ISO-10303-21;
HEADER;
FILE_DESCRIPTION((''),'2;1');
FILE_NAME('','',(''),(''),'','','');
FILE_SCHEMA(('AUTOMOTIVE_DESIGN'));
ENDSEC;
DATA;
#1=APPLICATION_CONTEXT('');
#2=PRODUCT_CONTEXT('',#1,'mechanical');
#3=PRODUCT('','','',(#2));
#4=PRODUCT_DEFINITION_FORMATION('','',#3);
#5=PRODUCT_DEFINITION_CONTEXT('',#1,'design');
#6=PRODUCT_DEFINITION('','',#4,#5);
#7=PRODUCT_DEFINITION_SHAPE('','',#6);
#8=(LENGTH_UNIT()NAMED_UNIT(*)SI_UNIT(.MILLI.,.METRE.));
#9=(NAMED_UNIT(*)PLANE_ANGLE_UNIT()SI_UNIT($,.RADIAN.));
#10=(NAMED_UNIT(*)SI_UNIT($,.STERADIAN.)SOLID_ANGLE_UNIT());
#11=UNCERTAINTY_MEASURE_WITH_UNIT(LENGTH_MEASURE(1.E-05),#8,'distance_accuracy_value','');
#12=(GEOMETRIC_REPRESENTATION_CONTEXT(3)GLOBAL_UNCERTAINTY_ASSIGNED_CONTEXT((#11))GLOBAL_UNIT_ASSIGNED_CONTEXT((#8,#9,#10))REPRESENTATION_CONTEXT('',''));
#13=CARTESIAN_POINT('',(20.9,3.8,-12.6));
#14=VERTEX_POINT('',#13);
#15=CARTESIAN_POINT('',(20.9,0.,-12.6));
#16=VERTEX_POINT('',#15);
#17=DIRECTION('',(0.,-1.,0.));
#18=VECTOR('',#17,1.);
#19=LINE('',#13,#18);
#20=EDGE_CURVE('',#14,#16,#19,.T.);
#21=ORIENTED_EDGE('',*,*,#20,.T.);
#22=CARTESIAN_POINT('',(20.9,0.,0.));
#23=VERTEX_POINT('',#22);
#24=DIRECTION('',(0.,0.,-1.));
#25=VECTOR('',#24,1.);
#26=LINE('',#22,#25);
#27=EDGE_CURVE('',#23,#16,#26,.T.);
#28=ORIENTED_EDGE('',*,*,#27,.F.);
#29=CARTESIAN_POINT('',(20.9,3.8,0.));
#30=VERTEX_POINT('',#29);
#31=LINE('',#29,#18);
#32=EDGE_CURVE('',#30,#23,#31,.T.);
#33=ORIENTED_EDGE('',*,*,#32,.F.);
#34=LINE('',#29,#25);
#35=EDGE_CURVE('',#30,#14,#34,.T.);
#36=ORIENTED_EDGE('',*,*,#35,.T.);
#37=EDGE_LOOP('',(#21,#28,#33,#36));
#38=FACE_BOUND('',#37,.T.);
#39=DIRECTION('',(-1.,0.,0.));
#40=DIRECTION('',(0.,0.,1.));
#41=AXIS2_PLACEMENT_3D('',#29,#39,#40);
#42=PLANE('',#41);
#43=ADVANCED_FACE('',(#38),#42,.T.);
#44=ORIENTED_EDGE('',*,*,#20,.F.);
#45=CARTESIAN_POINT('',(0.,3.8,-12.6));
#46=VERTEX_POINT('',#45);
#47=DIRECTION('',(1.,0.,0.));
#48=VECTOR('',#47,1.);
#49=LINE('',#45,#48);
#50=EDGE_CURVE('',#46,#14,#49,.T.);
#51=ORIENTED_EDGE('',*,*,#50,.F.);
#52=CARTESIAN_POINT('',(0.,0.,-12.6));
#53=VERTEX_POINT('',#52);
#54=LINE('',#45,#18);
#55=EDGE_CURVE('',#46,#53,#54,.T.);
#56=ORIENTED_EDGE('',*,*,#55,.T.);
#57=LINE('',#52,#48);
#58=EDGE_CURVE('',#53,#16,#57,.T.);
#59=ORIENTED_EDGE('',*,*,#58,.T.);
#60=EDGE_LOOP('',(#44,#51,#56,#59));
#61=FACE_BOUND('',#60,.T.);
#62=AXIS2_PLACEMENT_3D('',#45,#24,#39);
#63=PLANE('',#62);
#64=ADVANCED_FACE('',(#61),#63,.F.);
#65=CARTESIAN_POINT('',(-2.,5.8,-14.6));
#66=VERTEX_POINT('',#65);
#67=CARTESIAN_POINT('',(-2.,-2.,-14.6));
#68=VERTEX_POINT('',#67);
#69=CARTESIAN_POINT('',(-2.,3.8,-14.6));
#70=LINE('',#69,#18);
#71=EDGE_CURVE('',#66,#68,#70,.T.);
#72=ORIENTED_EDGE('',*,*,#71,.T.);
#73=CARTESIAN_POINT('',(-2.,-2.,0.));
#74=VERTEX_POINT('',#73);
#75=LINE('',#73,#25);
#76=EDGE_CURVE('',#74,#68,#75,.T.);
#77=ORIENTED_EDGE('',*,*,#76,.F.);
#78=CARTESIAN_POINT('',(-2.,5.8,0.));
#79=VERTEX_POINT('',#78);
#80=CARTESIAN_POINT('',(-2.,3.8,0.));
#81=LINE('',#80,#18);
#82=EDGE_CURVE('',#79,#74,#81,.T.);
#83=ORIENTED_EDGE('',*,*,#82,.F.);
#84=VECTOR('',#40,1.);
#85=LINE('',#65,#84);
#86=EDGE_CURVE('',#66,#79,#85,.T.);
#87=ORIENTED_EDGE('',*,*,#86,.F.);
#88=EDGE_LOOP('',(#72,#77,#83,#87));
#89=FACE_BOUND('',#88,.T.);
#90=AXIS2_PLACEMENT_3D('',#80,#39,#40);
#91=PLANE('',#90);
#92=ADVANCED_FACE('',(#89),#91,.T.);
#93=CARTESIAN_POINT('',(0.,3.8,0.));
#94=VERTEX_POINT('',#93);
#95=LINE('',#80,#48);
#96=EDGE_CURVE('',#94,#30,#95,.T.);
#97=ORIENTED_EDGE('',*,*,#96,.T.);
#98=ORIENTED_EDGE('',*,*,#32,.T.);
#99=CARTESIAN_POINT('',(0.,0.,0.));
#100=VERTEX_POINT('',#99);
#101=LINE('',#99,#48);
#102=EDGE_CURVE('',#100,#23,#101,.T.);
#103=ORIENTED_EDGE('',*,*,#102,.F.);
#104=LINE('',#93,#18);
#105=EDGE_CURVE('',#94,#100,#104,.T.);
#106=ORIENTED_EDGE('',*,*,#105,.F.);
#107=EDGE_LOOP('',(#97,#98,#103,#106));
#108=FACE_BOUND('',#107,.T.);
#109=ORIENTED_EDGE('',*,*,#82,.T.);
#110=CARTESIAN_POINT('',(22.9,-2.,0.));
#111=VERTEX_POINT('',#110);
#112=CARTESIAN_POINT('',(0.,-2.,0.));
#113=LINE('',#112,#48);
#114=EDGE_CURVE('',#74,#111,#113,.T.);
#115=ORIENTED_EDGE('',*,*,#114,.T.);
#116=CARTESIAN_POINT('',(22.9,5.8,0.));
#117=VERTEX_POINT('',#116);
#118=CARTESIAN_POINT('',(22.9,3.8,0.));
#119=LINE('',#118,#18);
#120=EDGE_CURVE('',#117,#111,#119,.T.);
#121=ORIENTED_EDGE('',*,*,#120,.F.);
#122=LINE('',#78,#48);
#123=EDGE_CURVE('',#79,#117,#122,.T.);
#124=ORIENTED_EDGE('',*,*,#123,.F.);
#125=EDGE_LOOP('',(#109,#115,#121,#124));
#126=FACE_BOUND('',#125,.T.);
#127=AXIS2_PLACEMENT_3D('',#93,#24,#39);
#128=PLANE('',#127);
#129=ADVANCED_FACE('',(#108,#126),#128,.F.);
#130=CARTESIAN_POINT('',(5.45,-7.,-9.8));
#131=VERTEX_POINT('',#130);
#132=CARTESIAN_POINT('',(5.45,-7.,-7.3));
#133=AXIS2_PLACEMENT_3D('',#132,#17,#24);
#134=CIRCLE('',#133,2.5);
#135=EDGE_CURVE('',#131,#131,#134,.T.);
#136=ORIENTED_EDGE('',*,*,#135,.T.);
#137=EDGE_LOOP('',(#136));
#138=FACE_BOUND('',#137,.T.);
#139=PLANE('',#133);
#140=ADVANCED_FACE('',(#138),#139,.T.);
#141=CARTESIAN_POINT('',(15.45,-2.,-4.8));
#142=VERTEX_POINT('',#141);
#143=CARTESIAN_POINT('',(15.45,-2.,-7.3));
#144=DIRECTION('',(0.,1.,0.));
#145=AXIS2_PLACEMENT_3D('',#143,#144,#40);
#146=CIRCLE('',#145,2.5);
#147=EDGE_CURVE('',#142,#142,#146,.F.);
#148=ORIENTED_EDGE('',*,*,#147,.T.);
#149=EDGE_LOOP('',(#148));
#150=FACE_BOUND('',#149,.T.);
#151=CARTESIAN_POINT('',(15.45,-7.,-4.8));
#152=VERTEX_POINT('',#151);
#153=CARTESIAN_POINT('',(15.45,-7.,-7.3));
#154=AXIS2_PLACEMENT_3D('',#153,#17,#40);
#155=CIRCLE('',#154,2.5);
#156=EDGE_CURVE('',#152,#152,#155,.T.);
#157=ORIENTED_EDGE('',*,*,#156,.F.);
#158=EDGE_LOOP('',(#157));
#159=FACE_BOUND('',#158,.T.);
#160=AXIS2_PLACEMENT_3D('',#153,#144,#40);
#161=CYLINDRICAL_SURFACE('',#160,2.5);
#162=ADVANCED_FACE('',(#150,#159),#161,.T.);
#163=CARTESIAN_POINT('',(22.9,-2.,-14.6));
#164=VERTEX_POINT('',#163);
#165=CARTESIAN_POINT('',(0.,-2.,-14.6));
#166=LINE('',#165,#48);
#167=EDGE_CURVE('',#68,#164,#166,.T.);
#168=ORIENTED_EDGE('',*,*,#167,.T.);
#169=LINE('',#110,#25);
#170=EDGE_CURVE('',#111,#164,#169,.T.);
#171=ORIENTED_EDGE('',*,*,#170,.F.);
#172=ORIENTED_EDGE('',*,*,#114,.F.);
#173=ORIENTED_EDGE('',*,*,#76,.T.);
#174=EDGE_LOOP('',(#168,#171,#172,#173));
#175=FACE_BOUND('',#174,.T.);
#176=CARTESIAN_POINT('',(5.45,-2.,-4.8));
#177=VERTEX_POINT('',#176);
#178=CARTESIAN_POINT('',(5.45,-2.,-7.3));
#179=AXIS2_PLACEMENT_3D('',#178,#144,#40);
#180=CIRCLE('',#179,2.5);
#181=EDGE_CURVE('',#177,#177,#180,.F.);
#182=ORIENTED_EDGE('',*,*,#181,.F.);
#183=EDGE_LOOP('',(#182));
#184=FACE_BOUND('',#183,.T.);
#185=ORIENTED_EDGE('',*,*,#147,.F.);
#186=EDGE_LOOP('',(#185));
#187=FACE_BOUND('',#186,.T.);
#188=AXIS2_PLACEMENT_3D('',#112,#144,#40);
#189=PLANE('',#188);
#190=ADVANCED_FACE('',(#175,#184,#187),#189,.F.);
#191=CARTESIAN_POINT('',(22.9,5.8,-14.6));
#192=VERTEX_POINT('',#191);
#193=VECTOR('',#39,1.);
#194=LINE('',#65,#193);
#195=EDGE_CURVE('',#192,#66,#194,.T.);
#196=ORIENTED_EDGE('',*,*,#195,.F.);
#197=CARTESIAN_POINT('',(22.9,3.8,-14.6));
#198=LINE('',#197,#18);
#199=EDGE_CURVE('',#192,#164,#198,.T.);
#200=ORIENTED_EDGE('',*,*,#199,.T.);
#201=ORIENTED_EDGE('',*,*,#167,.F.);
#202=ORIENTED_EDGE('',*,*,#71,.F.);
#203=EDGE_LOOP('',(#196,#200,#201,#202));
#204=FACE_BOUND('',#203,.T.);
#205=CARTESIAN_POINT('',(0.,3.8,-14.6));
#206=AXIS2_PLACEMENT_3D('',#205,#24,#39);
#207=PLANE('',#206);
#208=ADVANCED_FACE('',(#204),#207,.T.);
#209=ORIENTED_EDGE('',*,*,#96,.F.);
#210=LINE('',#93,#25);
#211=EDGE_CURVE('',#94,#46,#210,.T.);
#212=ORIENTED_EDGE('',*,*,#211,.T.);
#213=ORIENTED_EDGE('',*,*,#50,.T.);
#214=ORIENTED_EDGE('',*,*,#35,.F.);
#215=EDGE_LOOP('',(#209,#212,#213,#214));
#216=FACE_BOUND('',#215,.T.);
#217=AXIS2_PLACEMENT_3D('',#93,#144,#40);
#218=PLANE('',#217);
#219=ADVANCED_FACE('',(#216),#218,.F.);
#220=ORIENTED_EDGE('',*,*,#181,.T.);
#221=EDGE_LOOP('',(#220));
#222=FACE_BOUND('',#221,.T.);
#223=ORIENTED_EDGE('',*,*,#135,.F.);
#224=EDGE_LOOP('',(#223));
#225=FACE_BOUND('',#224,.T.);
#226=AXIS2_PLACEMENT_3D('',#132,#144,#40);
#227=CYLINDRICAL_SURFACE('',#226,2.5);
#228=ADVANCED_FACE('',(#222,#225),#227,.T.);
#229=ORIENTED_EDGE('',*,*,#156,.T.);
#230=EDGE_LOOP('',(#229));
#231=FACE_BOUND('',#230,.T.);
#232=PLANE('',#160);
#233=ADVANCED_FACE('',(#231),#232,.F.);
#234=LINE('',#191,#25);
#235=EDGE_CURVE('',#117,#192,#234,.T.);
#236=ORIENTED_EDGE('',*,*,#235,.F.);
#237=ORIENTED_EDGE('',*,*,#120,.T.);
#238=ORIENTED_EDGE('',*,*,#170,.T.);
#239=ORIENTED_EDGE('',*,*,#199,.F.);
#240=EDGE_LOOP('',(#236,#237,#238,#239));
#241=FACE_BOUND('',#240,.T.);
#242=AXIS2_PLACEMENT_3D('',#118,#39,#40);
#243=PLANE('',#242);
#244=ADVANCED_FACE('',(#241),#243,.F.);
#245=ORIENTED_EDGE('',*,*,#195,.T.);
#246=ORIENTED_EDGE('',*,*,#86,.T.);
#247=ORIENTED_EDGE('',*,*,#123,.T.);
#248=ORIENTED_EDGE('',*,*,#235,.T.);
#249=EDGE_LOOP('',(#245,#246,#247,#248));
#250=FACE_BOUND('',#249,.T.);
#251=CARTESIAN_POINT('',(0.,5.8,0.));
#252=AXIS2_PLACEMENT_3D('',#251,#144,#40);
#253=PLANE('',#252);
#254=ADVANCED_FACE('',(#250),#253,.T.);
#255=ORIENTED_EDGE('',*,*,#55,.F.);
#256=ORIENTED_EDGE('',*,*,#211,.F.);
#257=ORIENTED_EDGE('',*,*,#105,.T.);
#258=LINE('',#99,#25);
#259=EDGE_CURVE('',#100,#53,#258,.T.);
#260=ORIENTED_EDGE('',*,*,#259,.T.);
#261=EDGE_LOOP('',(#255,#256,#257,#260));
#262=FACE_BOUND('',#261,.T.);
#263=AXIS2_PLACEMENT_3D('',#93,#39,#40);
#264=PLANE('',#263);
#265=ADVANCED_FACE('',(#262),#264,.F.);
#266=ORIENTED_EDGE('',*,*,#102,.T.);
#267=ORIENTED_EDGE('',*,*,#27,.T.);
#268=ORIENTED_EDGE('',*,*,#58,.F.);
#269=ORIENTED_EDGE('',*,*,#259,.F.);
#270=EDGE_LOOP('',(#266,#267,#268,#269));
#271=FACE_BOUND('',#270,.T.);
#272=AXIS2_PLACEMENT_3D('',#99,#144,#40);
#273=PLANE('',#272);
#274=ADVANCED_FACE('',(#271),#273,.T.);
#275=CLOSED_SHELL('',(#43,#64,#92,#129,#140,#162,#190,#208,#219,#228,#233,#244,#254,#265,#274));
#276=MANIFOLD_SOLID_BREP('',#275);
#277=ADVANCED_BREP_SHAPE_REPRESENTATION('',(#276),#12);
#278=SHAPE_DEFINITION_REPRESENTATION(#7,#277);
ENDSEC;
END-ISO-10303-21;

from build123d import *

# Parameters (mm, degrees)
BOSS_EXTRUDE1_DEPTH = 3.8
SKETCH1_3_W         = 24.9
SKETCH1_3_H         = 14.6
BOSS_EXTRUDE2_DEPTH = 2
SKETCH3_R           = 2.5
BOSS_EXTRUDE4_DEPTH = 5
SKETCH4_W           = 24.9
SKETCH4_H           = 14.6
BOSS_EXTRUDE5_DEPTH = 2


with BuildPart() as part:
    # Sketch1 → Boss-Extrude1 (new body)
    with BuildSketch(Plane(origin=(0, 0, 0), x_dir=(1, 0, 0), z_dir=(0, 1, 0))):
        Polygon((22.9, 14.6), (-2, 14.6), (-2, 0), (0, 0), (0, 12.6), (20.9, 12.6), (20.9, 0), (22.9, 0), align=None)
    extrude(amount=BOSS_EXTRUDE1_DEPTH)

    # Sketch1<3> → Boss-Extrude2 (add)
    with BuildSketch(Plane(origin=(0, 0, 0), x_dir=(1, 0, 0), z_dir=(0, 1, 0))):
        with Locations((10.45, 7.3)):
            Rectangle(SKETCH1_3_W, SKETCH1_3_H)
    extrude(amount=-BOSS_EXTRUDE2_DEPTH)

    # Sketch3 → Boss-Extrude4 (add)
    with BuildSketch(Plane.XZ.offset(2)):
        with Locations((5.45, -7.3)):
            Circle(SKETCH3_R)
        with Locations((15.45, -7.3)):
            Circle(SKETCH3_R)
    extrude(amount=BOSS_EXTRUDE4_DEPTH)

    # Sketch4 → Boss-Extrude5 (add)
    with BuildSketch(Plane(origin=(0, 3.8, 0), x_dir=(1, 0, 0), z_dir=(0, 1, 0))):
        with Locations((10.45, 7.3)):
            Rectangle(SKETCH4_W, SKETCH4_H)
    extrude(amount=BOSS_EXTRUDE5_DEPTH)


solid = part.part
